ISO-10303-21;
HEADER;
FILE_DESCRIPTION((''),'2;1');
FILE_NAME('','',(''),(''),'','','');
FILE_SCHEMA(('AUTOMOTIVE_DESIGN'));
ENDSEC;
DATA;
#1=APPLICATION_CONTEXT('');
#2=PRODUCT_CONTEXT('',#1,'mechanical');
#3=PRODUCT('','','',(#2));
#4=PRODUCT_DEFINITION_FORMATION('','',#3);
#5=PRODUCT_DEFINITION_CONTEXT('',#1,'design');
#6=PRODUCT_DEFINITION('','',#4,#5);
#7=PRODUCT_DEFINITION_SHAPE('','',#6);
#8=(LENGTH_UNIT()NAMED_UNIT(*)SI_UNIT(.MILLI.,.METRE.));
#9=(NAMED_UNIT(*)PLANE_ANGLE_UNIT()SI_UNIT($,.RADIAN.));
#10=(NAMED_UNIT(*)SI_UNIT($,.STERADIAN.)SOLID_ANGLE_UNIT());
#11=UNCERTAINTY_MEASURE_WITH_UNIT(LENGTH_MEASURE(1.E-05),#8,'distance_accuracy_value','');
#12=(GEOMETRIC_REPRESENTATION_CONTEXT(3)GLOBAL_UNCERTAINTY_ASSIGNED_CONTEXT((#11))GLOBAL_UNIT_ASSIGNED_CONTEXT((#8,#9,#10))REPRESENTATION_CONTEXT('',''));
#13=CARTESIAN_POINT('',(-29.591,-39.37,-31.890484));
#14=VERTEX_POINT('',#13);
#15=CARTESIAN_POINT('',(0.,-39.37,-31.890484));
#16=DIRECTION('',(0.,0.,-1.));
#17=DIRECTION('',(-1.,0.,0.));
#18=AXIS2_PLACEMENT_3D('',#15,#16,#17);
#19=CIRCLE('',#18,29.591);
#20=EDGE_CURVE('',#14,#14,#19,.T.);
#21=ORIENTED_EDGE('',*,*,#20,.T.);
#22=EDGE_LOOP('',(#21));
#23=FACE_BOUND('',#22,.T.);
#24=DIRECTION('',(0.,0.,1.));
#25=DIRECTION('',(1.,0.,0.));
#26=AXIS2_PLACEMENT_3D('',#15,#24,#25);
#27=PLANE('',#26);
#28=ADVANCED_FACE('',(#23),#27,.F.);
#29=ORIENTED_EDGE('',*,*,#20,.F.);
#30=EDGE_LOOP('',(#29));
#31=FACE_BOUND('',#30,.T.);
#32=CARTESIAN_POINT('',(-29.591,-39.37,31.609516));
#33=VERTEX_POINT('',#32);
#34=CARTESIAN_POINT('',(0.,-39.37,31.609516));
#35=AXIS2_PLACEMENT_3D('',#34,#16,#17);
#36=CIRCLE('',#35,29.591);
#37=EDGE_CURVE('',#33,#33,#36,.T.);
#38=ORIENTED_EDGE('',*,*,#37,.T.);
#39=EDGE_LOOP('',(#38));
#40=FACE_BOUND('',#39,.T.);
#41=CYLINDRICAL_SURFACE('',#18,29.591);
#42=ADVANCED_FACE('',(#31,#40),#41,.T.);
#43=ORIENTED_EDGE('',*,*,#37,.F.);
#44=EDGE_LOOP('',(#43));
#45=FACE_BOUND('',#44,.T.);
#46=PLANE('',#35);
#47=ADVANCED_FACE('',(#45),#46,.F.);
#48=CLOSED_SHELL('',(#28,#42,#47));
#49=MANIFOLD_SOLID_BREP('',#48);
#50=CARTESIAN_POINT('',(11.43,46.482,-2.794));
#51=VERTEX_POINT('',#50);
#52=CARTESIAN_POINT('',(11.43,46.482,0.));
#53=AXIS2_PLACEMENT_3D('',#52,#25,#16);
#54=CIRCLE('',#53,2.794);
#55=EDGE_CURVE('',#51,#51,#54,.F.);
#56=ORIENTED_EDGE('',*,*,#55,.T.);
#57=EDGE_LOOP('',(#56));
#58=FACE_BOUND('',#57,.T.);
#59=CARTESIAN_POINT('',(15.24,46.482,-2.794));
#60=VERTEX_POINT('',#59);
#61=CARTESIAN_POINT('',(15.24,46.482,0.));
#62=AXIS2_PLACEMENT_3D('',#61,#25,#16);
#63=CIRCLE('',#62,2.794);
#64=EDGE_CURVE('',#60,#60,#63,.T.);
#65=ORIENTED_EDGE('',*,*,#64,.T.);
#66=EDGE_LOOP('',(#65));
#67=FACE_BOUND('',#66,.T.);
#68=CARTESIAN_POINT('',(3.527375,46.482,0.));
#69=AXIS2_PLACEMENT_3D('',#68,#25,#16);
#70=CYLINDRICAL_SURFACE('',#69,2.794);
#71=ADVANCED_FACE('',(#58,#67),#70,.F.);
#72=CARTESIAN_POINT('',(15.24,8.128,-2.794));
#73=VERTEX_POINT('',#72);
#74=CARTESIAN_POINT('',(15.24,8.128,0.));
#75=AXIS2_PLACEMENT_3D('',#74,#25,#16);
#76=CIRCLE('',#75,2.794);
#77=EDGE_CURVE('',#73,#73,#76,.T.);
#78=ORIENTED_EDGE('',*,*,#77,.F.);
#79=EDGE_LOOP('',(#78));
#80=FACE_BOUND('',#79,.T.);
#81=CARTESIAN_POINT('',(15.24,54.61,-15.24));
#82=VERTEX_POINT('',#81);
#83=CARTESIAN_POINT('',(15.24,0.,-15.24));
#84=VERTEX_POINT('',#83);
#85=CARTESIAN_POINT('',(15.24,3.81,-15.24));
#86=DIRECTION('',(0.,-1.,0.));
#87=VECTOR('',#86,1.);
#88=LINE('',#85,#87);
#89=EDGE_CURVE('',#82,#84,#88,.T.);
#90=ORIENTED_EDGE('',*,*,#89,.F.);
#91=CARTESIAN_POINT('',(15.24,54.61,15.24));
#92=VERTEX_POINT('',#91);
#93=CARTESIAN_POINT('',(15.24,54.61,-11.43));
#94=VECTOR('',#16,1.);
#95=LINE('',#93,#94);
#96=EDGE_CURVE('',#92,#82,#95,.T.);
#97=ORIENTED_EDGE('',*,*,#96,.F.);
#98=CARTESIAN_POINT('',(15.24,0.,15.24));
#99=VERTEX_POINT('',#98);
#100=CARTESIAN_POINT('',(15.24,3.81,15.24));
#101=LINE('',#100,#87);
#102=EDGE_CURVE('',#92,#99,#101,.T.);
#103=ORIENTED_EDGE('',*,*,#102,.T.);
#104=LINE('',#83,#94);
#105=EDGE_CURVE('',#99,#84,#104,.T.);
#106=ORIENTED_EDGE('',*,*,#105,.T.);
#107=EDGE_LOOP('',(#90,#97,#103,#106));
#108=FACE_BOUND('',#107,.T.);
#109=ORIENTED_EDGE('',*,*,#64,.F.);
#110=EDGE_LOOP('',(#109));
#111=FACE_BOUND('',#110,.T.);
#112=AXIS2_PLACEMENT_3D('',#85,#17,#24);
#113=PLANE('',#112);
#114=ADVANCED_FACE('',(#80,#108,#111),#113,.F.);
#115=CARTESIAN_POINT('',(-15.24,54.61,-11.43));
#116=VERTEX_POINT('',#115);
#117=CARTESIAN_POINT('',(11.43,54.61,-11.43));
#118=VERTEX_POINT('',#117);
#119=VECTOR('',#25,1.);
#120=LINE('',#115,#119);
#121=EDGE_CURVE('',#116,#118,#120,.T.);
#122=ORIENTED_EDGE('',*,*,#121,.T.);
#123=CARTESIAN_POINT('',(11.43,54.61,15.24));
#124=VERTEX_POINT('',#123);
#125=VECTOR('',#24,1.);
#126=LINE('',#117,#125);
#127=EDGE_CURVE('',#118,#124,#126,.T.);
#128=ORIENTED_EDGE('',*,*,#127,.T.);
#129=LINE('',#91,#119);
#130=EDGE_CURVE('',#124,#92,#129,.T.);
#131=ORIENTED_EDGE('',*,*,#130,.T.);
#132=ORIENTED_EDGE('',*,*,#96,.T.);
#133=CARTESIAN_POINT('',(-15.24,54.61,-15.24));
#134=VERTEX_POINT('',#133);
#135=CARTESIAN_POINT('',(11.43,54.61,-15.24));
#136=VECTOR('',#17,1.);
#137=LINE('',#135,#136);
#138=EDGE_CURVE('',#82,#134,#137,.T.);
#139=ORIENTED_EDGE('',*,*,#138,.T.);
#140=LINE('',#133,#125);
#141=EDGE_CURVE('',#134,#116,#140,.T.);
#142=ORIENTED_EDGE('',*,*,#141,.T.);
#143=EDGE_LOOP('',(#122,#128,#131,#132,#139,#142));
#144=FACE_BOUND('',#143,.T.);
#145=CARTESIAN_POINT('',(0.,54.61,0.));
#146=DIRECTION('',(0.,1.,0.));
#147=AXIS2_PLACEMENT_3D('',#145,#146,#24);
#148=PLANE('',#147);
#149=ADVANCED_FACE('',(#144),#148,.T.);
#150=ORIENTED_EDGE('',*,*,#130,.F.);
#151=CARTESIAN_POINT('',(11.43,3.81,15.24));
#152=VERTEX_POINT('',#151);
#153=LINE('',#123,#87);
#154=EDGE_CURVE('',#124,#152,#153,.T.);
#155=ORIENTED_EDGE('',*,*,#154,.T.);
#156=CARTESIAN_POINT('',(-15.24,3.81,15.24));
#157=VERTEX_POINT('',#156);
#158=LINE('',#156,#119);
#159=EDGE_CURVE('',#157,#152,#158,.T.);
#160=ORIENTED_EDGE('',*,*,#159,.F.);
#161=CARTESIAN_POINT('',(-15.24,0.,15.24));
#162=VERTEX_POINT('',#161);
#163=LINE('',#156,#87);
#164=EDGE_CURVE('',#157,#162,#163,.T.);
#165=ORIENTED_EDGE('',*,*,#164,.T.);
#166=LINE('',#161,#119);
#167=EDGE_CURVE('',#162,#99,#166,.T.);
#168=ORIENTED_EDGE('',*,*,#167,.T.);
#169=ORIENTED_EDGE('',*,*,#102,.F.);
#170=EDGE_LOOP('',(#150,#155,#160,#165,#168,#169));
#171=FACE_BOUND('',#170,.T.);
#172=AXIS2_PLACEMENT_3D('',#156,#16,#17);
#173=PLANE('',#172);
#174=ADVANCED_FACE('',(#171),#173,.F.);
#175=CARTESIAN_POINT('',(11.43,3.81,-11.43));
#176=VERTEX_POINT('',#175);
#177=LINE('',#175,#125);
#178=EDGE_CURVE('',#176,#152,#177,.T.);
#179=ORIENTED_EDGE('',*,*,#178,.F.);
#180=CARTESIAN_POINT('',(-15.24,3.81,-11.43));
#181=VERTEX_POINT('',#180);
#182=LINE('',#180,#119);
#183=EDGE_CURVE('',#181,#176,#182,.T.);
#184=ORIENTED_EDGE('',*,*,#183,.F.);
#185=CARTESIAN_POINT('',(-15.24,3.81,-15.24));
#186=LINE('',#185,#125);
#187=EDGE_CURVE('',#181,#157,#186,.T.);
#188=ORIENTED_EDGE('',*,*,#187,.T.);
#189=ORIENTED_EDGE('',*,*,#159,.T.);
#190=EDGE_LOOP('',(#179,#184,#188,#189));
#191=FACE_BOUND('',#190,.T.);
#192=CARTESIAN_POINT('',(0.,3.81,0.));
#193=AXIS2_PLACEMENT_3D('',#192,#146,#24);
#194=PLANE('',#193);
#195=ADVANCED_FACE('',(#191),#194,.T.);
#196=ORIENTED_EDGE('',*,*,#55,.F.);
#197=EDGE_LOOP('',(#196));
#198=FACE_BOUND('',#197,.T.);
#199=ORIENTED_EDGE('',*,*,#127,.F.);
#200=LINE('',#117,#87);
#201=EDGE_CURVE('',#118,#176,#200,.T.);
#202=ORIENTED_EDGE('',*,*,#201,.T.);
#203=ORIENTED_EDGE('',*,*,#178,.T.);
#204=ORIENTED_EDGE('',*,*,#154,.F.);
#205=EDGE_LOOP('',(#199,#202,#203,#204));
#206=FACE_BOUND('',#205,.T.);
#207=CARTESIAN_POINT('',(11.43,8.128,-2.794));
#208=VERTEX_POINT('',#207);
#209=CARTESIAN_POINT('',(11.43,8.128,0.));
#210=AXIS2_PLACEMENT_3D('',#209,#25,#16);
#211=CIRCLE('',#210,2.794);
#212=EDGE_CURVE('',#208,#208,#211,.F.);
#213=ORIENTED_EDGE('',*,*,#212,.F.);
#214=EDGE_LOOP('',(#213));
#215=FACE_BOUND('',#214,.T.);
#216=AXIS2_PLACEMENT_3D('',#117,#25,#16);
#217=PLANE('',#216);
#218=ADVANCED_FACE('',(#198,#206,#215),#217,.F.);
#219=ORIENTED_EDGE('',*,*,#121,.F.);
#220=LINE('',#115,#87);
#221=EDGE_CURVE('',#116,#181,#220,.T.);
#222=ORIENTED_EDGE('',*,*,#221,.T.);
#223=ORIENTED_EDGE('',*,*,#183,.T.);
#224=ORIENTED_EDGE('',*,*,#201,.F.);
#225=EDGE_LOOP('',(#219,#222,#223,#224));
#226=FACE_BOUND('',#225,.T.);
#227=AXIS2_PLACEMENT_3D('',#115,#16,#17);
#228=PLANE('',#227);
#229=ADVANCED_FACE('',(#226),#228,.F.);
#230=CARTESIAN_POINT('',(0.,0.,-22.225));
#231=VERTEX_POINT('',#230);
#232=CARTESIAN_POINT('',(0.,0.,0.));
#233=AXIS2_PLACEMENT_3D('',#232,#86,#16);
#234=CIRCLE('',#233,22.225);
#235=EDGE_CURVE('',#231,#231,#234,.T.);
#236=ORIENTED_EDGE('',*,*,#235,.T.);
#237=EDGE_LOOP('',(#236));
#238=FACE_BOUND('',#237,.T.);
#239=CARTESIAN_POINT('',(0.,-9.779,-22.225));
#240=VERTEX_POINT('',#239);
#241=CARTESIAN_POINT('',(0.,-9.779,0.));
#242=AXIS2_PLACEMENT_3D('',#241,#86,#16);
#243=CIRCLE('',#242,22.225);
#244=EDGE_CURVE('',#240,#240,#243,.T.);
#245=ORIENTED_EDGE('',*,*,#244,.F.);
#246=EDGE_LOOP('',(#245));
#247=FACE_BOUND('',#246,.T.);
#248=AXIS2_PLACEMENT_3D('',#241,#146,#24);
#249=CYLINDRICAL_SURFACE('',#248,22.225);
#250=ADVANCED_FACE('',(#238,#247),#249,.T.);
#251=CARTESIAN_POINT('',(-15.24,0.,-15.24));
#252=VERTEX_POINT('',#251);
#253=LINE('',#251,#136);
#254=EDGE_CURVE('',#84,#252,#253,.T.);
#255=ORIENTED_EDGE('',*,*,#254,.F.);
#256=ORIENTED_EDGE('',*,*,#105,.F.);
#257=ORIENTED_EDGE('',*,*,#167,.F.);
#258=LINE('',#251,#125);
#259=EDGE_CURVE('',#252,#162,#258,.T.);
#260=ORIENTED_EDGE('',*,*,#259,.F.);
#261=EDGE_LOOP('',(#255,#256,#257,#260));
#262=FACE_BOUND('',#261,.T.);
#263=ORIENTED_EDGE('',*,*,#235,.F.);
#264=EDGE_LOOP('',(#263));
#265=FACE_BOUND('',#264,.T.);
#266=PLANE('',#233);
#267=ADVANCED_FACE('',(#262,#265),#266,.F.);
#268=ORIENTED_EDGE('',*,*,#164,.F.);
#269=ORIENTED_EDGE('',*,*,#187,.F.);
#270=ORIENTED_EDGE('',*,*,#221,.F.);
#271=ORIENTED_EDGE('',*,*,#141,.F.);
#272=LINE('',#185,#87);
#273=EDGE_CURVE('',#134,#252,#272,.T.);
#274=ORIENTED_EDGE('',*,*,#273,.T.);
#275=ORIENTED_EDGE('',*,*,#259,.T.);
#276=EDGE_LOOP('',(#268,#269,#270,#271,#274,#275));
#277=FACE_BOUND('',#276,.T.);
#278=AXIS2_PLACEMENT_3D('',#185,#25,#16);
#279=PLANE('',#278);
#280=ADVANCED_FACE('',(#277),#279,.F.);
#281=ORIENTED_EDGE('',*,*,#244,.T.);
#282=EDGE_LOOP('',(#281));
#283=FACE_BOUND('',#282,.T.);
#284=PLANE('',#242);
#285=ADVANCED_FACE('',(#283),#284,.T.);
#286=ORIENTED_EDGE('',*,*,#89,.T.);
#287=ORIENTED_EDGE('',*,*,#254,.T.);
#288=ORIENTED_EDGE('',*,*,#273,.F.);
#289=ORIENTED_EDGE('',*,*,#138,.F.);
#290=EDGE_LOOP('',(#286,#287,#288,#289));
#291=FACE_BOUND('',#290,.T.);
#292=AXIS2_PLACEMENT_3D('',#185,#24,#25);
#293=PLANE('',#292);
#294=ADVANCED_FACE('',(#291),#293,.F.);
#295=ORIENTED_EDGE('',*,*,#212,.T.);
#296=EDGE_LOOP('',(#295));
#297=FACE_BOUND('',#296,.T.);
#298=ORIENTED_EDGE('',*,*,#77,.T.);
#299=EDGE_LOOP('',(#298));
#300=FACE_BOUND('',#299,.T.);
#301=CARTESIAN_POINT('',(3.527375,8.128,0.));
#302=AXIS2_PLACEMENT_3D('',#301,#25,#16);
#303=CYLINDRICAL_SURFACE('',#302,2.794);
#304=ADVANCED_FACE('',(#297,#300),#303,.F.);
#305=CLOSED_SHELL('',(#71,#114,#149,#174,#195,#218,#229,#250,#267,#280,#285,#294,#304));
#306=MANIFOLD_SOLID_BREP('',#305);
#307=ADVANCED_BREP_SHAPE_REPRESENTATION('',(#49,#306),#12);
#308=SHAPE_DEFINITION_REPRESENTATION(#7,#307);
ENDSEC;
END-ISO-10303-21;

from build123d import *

# Parameters (mm, degrees)
SKETCH1_W           = 30.48
SKETCH1_H           = 30.48
BOSS_EXTRUDE1_DEPTH = 3.81
BOSS_EXTRUDE2_DEPTH = 50.8
SKETCH3_R           = 2.794
CUT_EXTRUDE1_DEPTH  = 3.81
SKETCH4_R           = 22.225
BOSS_EXTRUDE3_DEPTH = 9.779
SKETCH5_W           = 63.5
SKETCH5_H           = 29.591


with BuildPart() as part:
    # Sketch1 → Boss-Extrude1 (new body)
    with BuildSketch(Plane(origin=(0, 0, 0), x_dir=(1, 0, 0), z_dir=(0, 1, 0))):
        Rectangle(SKETCH1_W, SKETCH1_H)
    extrude(amount=BOSS_EXTRUDE1_DEPTH)

    # Sketch2 → Boss-Extrude2 (add)
    with BuildSketch(Plane(origin=(0, 3.81, 0), x_dir=(1, 0, 0), z_dir=(0, 1, 0))):
        Polygon((-15.24, 15.24), (11.43, 15.24), (15.24, 15.24), (15.24, 11.43), (15.24, -15.24), (11.43, -15.24), (11.43, 11.43), (-15.24, 11.43), align=None)
    extrude(amount=BOSS_EXTRUDE2_DEPTH)

    # Sketch3 → Cut-Extrude1 (cut)
    with BuildSketch(Plane(origin=(15.24, 0, 0), x_dir=(0, 0, -1), z_dir=(1, 0, 0))):
        with Locations((0, 46.482)):
            Circle(SKETCH3_R)
        with Locations((0, 8.128)):
            Circle(SKETCH3_R)
    extrude(amount=-CUT_EXTRUDE1_DEPTH, mode=Mode.SUBTRACT)

    # Sketch4 → Boss-Extrude3 (add)
    with BuildSketch(Plane.XZ):
        with Locations(Location((0, 0, 0), (0, 0, 270))):
            Circle(SKETCH4_R)
    extrude(amount=BOSS_EXTRUDE3_DEPTH)


with BuildPart() as body_2:
    # Sketch5 → Revolve1 (revolve)
    with BuildSketch(Plane.ZY, mode=Mode.PRIVATE) as revolve1_sk:
        with Locations((-0.140484246, -24.5745)):
            Rectangle(SKETCH5_W, SKETCH5_H)
    revolve(revolve1_sk.sketch.rotate(Axis((0, -39.37, -31.890484246), (0, 0, 1)), 90), axis=Axis((0, -39.37, -31.890484246), (0, 0, 1)))


solid = Compound([part.part, body_2.part])
